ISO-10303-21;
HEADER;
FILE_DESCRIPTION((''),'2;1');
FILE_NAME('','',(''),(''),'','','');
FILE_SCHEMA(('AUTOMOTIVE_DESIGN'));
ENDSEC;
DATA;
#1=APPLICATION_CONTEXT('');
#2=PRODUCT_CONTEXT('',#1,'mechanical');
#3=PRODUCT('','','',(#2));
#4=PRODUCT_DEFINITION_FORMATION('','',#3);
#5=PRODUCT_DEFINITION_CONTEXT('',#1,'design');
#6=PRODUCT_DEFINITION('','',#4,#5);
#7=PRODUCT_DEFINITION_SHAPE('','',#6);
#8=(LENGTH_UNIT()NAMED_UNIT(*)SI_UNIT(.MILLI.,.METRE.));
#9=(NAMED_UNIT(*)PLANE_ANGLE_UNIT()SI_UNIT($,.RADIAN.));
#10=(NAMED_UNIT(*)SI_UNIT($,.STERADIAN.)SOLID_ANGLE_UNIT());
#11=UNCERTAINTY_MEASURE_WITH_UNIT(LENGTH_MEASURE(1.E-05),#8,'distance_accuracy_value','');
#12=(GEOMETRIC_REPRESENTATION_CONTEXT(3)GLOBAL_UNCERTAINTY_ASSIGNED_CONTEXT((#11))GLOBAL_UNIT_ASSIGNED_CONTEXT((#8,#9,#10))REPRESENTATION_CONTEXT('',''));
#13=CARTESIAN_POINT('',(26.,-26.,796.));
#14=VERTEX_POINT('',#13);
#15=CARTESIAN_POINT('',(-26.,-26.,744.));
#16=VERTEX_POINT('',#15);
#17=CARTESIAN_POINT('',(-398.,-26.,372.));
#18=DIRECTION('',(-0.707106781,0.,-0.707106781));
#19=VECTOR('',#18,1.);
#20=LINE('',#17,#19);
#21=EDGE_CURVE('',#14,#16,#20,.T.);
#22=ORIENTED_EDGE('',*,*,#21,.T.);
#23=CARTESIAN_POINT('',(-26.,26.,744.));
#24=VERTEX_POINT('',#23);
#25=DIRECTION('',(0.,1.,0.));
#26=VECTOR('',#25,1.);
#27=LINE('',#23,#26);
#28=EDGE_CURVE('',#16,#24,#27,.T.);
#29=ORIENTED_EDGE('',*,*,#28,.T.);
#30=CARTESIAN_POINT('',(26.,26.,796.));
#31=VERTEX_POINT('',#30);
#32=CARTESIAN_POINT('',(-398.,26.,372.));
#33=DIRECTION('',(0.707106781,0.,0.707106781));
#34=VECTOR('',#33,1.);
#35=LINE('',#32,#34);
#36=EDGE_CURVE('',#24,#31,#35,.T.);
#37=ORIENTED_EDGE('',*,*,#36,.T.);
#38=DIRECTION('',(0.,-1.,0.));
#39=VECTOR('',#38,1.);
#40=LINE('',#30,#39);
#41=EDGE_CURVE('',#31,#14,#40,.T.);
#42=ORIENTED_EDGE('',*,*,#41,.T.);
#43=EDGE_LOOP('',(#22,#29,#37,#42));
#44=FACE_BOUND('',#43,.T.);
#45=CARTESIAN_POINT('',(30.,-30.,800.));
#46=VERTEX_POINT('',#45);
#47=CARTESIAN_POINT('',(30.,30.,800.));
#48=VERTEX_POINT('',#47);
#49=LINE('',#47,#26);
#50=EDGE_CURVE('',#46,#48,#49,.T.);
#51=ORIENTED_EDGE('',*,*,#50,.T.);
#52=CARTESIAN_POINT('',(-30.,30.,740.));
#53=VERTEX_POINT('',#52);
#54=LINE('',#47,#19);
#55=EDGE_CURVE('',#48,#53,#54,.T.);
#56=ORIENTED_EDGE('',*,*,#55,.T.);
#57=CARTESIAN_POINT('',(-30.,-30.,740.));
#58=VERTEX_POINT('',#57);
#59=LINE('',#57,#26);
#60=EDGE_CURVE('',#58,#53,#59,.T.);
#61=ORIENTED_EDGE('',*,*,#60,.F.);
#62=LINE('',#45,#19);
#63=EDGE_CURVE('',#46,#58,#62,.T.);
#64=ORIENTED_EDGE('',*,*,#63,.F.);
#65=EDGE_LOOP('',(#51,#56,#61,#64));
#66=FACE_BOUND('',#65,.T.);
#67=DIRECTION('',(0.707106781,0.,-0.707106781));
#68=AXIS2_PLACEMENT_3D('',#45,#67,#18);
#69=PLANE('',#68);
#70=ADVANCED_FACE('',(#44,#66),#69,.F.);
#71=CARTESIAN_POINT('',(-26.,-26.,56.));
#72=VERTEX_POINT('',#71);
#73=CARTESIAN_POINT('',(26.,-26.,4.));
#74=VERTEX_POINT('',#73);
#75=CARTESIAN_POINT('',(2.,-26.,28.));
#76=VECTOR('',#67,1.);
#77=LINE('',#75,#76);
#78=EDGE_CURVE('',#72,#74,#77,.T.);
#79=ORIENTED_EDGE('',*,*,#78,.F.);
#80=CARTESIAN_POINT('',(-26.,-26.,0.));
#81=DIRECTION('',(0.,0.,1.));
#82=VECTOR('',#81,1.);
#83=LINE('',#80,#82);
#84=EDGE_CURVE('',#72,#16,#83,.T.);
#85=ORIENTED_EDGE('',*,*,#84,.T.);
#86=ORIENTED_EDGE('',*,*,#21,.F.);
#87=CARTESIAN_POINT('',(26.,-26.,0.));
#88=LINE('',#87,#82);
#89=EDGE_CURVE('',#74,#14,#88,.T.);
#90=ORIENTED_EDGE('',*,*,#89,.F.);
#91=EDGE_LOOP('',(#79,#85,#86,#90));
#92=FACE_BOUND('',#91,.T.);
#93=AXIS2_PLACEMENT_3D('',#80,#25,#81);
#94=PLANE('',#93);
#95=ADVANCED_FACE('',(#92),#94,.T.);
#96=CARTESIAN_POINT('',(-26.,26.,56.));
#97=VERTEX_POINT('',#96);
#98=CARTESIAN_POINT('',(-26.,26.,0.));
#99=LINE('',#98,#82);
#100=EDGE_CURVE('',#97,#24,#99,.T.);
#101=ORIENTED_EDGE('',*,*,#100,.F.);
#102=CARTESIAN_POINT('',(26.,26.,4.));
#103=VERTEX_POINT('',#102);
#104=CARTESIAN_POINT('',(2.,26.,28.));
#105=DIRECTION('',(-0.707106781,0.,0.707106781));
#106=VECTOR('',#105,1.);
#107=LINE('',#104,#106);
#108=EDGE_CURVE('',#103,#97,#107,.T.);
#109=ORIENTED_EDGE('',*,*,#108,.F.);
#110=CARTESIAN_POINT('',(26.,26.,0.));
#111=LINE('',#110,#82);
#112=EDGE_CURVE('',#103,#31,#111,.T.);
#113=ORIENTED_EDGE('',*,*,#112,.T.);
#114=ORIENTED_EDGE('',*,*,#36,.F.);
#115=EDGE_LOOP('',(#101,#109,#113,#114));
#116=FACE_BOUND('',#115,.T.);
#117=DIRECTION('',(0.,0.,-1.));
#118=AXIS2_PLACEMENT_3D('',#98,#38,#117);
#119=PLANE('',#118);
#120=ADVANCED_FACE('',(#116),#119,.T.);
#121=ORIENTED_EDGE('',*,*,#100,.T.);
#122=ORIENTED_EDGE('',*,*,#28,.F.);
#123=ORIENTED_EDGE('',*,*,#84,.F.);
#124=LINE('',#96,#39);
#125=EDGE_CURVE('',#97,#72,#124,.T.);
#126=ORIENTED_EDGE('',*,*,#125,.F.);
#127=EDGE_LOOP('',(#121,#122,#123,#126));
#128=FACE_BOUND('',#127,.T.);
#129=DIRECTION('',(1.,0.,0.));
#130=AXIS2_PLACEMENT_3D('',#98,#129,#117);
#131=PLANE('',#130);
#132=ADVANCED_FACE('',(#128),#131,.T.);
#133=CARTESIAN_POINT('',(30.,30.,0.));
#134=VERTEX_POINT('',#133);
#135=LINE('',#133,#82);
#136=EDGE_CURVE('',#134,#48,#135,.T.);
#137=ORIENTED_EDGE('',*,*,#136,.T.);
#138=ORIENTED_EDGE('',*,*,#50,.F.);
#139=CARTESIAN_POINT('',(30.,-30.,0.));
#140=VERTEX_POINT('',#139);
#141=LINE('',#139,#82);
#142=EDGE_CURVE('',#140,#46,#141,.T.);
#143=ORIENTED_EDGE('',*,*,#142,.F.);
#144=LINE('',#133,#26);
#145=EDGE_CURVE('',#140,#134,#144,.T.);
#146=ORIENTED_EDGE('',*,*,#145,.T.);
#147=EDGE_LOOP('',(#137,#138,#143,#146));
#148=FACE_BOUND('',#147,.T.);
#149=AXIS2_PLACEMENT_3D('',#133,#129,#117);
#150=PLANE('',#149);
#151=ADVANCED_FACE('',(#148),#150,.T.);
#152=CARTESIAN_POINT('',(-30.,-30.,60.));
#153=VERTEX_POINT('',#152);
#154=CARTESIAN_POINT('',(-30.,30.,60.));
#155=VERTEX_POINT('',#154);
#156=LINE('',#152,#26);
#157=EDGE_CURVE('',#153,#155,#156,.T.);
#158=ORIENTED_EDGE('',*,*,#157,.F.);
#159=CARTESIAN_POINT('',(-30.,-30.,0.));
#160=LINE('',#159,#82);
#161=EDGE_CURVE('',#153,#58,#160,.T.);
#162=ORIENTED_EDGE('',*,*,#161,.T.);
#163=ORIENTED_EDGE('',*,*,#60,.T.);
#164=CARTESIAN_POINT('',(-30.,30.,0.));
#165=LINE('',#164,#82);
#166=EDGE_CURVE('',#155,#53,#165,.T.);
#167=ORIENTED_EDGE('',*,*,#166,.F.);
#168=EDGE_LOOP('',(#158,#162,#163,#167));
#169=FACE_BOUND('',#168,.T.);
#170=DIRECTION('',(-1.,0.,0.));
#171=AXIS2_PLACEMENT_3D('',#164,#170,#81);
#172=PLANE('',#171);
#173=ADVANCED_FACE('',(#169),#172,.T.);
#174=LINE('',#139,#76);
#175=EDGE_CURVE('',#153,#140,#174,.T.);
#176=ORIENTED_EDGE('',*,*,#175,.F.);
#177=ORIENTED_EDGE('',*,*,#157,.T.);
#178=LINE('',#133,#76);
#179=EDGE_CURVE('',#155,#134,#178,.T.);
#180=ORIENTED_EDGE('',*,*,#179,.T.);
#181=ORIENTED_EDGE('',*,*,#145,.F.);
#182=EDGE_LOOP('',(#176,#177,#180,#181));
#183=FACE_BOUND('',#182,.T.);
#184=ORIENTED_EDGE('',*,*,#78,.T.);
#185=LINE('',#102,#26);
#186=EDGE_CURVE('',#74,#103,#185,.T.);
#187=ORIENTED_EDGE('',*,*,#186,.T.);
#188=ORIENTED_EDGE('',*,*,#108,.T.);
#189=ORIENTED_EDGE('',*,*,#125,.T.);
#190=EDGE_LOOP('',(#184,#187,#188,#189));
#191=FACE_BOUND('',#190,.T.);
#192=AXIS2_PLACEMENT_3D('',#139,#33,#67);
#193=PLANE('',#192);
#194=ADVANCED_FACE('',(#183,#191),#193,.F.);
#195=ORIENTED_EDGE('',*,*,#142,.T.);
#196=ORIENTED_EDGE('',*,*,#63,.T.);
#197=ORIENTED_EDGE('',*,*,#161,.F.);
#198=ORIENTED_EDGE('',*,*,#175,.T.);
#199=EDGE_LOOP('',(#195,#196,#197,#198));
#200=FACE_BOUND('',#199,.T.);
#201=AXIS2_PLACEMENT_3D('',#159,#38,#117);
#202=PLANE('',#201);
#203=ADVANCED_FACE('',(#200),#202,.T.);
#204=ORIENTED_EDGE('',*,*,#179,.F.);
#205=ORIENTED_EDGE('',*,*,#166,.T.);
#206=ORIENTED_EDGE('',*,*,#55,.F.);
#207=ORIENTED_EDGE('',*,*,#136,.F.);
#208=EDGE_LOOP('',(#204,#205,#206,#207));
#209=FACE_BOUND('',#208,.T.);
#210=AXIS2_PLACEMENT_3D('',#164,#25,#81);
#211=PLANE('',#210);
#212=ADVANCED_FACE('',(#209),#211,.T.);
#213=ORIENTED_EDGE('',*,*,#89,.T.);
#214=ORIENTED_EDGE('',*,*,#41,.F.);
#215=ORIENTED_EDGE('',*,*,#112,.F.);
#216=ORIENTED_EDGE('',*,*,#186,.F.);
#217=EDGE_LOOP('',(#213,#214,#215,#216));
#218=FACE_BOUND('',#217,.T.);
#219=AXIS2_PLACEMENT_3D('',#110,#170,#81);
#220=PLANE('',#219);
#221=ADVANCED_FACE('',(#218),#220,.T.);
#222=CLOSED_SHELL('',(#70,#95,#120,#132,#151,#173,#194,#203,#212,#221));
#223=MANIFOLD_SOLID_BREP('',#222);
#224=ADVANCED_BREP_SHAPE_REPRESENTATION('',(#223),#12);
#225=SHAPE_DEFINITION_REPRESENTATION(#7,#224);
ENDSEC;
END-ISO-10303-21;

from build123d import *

# Parameters (mm, degrees)
SKETCH1_W          = 60
SKETCH1_H          = 60
SKETCH1_W_2        = 52
SKETCH1_H_2        = 52
CUT_EXTRUDE1_DEPTH = 61.0000001


with BuildPart() as part:
    # Sweep1: sweep along a curve in space
    with BuildLine() as sweep1_path:
        add(Edge.make_bspline(
            [(0, 0, 0), (0, 0, 800)],
            knots=[0, 0, 1, 1], degree=1))
    # Sketch1 → Sweep1 (sweep)
    with BuildSketch(Plane.XY):
        Rectangle(SKETCH1_W, SKETCH1_H)
        Rectangle(SKETCH1_W_2, SKETCH1_H_2, mode=Mode.SUBTRACT)
    sweep(path=sweep1_path.line)

    # Sketch2 → Cut-Extrude1 (cut, through all)
    with BuildSketch(Plane(origin=(0, 30, 0), x_dir=(1, 0, 0), z_dir=(0, 1, 0))):
        Polygon((30, 0), (-30, -60), (-30, 0), align=None)
        Polygon((30, -800), (-30, -740), (-30, -800), align=None)
    extrude(amount=-CUT_EXTRUDE1_DEPTH, mode=Mode.SUBTRACT)


solid = part.part
